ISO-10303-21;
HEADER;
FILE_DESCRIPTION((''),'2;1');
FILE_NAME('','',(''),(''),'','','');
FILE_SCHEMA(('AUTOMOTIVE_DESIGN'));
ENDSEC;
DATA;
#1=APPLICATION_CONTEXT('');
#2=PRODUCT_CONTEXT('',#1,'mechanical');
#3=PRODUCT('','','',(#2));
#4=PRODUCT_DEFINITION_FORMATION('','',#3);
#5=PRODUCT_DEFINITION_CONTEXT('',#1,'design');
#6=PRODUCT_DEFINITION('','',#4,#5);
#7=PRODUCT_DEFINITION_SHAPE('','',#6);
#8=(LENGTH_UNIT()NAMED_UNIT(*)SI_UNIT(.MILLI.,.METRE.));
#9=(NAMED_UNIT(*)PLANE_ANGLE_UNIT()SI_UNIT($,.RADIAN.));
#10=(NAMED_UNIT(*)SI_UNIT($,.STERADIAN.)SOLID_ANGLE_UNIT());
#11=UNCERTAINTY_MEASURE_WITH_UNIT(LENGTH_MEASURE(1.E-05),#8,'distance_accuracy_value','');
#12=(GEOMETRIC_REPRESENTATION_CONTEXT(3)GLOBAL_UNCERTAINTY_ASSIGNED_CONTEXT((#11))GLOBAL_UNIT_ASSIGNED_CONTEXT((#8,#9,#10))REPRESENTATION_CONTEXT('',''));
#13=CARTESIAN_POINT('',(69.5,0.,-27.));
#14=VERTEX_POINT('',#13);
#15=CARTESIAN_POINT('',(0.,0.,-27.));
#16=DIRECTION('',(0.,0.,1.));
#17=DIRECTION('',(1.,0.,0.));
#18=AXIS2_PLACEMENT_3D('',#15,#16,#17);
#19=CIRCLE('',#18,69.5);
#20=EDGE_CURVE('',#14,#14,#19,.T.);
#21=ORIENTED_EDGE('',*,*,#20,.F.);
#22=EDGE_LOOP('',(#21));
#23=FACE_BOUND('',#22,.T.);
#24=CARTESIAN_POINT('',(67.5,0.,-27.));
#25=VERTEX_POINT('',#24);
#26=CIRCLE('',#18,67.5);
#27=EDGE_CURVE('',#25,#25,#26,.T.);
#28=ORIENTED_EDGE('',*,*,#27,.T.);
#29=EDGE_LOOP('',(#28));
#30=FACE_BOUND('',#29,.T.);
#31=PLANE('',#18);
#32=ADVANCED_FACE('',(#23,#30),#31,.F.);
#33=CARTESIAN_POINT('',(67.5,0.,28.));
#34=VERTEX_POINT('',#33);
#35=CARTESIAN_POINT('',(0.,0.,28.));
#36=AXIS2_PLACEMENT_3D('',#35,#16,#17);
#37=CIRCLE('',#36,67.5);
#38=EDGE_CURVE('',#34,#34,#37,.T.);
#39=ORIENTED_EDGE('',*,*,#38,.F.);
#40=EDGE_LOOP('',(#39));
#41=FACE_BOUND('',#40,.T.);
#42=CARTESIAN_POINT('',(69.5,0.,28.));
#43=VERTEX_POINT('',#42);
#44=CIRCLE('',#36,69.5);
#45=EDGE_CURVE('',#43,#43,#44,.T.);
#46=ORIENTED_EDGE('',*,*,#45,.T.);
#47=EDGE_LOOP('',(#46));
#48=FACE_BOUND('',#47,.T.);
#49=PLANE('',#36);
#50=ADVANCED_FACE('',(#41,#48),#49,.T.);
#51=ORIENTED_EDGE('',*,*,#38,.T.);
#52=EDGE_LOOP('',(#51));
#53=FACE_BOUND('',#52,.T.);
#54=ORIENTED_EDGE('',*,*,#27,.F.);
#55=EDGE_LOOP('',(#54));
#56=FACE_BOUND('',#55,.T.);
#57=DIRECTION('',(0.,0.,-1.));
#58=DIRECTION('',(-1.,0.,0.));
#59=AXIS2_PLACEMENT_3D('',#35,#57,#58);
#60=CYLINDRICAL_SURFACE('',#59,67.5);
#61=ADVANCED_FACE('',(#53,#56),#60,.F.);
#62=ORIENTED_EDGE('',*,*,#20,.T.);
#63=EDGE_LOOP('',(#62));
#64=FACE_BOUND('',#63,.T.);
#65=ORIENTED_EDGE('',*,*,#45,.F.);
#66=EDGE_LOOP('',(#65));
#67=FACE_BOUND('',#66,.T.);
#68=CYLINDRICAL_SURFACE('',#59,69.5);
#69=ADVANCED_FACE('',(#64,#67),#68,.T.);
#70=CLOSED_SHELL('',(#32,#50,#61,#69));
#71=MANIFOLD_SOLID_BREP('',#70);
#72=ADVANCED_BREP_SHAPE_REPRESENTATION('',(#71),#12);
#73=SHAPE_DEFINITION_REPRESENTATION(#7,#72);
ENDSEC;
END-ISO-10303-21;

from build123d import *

# Parameters (mm, degrees)
PRINTED_FIXED_CASE_START = -27
SKETCH_1_R               = 69.5
SKETCH_1_R_2             = 67.5
PRINTED_FIXED_CASE_DEPTH = 55


with BuildPart() as part:
    # Эскиз1 → Printed_fixed_case (new body)
    with BuildSketch(Plane.XY.offset(PRINTED_FIXED_CASE_START)):
        Circle(SKETCH_1_R)
        Circle(SKETCH_1_R_2, mode=Mode.SUBTRACT)
    extrude(amount=PRINTED_FIXED_CASE_DEPTH)


solid = part.part
